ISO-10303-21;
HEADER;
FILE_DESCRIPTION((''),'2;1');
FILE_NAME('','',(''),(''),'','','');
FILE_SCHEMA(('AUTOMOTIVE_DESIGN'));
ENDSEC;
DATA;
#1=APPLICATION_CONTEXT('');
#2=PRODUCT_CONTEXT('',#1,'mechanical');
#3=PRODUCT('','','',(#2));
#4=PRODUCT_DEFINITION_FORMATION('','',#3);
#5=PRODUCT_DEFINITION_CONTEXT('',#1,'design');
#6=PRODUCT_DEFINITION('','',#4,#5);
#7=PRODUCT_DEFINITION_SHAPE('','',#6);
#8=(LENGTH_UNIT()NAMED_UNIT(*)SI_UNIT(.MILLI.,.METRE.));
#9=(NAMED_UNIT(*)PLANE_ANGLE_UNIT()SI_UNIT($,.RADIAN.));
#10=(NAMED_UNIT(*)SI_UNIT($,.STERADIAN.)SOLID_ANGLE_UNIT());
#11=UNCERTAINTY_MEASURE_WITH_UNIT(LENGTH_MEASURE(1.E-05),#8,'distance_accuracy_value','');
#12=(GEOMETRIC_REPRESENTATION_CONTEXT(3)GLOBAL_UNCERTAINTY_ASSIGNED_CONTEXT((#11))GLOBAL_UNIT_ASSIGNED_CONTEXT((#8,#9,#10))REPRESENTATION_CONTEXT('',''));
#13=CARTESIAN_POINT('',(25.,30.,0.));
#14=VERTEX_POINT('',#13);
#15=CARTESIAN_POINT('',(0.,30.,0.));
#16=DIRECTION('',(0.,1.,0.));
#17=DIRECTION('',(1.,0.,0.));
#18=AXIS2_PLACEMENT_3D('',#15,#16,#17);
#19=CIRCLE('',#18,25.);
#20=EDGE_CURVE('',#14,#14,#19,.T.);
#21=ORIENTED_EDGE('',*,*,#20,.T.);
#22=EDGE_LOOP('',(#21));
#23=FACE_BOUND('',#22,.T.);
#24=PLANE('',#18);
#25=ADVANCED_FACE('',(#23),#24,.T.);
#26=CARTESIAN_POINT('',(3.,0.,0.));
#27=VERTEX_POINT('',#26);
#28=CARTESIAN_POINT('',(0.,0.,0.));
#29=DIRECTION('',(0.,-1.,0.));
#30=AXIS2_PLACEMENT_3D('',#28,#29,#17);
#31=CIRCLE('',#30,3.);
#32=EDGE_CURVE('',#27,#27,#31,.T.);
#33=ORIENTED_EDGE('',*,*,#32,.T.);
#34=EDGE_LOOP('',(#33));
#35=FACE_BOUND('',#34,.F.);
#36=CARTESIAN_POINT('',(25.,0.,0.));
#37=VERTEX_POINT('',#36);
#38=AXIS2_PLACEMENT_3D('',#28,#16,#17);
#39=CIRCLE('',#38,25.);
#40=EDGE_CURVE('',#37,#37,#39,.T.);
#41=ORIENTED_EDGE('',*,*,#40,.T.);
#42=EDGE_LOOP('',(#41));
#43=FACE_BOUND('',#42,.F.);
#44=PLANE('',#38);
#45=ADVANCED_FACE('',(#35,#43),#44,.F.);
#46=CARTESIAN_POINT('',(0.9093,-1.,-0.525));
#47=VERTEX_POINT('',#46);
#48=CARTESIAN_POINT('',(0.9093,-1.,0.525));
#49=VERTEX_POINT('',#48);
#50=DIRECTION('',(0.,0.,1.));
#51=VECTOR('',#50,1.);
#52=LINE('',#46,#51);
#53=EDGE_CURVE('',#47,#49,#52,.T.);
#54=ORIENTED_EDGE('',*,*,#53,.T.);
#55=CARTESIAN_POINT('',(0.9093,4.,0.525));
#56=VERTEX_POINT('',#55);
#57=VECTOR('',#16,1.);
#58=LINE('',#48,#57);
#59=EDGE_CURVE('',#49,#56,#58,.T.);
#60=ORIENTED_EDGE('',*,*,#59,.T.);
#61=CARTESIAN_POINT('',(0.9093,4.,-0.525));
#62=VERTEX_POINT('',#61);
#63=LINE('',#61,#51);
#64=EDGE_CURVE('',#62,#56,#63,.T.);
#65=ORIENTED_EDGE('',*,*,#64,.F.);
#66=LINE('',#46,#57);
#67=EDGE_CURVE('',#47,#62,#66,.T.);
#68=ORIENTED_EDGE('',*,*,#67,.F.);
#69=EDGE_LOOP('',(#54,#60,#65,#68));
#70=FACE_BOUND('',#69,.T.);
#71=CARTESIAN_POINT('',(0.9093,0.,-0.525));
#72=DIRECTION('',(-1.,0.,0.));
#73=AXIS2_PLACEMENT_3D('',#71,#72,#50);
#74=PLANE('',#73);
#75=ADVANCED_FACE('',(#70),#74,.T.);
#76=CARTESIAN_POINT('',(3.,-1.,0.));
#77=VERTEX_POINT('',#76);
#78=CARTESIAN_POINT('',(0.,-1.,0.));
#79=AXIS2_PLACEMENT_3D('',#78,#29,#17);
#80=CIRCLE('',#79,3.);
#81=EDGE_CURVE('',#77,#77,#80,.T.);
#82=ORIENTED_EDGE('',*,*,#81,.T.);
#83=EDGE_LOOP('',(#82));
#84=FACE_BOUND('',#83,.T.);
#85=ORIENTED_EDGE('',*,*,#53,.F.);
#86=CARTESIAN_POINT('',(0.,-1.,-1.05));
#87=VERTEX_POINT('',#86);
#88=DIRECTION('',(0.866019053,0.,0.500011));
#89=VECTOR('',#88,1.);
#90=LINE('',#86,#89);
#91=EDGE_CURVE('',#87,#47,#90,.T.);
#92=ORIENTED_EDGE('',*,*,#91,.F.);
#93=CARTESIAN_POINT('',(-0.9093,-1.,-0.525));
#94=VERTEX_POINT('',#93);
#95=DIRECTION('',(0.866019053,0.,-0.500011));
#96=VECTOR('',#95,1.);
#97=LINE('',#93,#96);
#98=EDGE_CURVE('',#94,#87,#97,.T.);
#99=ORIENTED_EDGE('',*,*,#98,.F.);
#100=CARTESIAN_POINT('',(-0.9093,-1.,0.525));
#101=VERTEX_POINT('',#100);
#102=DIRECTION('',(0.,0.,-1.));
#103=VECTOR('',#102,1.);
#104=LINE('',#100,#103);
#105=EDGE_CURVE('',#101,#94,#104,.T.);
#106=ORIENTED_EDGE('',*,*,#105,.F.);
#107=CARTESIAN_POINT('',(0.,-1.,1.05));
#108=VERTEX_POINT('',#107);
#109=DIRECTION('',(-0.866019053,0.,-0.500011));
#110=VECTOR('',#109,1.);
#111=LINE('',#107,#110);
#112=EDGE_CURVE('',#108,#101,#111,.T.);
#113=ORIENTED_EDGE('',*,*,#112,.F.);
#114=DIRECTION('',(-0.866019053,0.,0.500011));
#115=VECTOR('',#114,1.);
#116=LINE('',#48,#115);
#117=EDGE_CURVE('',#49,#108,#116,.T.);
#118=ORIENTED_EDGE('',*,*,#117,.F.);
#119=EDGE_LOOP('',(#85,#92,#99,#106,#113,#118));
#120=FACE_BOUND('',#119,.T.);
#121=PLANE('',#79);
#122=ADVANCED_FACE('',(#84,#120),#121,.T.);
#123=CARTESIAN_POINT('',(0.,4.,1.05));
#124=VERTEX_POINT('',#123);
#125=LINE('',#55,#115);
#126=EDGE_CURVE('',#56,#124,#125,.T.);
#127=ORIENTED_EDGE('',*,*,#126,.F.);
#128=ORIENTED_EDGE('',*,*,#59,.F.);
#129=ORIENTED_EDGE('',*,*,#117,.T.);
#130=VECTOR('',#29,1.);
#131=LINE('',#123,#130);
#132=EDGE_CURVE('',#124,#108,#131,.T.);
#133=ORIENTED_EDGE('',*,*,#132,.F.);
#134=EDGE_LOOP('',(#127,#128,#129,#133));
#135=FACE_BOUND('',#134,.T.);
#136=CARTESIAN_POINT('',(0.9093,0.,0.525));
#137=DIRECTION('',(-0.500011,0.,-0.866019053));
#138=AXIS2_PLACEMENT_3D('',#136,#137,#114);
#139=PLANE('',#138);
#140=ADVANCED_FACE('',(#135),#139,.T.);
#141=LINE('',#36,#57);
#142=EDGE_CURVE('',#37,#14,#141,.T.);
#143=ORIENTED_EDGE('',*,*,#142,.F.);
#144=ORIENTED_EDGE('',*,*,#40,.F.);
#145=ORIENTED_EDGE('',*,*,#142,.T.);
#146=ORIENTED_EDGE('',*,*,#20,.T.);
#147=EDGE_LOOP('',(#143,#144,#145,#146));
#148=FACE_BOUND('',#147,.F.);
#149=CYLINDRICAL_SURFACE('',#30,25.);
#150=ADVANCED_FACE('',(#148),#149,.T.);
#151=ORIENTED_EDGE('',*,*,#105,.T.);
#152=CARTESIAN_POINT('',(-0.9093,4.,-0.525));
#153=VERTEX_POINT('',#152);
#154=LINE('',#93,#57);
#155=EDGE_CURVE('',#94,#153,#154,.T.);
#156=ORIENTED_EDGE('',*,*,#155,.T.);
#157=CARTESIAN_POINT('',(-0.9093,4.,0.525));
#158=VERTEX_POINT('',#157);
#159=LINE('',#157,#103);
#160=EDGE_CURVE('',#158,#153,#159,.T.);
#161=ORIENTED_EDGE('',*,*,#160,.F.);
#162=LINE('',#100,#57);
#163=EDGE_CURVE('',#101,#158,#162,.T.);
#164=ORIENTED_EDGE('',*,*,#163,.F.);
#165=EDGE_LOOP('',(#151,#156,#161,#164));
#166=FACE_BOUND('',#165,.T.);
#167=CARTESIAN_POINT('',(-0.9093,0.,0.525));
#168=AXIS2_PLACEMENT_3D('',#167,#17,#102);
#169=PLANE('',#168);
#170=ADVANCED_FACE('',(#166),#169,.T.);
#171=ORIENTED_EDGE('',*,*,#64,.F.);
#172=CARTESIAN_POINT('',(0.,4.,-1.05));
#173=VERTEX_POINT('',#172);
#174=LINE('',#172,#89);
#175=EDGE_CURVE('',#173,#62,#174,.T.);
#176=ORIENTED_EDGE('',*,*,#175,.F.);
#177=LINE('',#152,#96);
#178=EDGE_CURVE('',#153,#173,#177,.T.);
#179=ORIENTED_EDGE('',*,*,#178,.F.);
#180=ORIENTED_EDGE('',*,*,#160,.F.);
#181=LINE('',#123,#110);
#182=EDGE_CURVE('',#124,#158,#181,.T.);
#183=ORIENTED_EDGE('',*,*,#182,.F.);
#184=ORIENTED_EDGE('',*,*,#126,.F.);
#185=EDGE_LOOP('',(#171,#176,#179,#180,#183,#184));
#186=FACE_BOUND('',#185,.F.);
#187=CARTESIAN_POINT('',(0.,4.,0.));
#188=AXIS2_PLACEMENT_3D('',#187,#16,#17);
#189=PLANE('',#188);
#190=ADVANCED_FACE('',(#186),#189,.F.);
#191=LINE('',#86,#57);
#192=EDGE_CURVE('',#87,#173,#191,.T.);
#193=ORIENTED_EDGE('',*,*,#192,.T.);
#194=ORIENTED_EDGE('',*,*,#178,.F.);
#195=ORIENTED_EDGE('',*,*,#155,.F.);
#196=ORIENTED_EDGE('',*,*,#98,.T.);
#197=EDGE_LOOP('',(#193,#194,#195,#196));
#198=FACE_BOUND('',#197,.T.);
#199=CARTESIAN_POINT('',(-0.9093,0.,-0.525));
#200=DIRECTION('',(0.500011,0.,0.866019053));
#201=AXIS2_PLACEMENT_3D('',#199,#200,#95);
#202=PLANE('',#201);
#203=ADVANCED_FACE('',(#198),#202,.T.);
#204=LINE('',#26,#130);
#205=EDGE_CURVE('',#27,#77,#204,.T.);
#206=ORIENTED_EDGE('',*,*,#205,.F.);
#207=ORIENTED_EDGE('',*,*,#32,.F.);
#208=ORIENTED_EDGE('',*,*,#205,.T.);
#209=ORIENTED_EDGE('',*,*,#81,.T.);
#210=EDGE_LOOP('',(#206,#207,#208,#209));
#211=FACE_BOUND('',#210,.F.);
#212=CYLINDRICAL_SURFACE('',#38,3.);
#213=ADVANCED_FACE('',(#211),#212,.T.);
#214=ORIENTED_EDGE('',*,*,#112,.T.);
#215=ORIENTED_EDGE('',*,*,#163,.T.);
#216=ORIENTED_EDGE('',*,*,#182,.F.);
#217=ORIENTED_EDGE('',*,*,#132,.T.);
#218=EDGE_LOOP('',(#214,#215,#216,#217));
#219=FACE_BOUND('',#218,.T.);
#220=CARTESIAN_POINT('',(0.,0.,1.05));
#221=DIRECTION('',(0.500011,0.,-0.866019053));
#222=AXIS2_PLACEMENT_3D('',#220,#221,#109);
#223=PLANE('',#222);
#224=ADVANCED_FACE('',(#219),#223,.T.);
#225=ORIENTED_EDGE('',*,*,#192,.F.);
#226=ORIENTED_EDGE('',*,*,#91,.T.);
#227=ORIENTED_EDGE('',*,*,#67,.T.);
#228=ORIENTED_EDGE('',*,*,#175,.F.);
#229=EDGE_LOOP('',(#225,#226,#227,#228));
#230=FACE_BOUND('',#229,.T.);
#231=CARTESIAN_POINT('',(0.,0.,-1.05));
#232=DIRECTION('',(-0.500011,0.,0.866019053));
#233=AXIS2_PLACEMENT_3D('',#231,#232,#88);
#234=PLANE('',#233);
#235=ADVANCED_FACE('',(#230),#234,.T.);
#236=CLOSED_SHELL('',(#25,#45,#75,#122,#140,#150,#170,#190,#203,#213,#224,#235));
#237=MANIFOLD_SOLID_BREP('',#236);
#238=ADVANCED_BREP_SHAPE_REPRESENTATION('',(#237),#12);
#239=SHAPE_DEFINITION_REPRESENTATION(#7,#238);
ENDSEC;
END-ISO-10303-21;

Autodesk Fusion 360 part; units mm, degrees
sketch "スケッチ1" plane through (0, 0, 0) normal (0, 1, 0) x (1, 0, 0)
  circle A0 centre (0, 0) radius 25
  dimension "d1" = 50
extrude "押し出し1" add sketch "スケッチ1" along normal blind 30
sketch "スケッチ2" plane through (0, 0, 0) normal (0, -1, 0) x (1, 0, 0)
  circle A0 centre (0, 0) radius 25
  circle A1 centre (0, 0) radius 3
  line L0 (0, 1.05) -> (-0.9093, 0.525)
  line L1 (-0.9093, 0.525) -> (-0.9093, -0.525)
  line L2 (-0.9093, -0.525) -> (0, -1.05)
  line L3 (0, -1.05) -> (0.9093, -0.525)
  line L4 (0.9093, -0.525) -> (0.9093, 0.525)
  line L5 (0.9093, 0.525) -> (0, 1.05)
  dimension "d4" = 6
  dimension "d5" = 2.1
extrude "押し出し2" add sketch "スケッチ2" along normal blind 1 contours A1
extrude "押し出し3" cut 1 faces at (0, 0, 0.35) along direction (0, 1, 0) blind 4
